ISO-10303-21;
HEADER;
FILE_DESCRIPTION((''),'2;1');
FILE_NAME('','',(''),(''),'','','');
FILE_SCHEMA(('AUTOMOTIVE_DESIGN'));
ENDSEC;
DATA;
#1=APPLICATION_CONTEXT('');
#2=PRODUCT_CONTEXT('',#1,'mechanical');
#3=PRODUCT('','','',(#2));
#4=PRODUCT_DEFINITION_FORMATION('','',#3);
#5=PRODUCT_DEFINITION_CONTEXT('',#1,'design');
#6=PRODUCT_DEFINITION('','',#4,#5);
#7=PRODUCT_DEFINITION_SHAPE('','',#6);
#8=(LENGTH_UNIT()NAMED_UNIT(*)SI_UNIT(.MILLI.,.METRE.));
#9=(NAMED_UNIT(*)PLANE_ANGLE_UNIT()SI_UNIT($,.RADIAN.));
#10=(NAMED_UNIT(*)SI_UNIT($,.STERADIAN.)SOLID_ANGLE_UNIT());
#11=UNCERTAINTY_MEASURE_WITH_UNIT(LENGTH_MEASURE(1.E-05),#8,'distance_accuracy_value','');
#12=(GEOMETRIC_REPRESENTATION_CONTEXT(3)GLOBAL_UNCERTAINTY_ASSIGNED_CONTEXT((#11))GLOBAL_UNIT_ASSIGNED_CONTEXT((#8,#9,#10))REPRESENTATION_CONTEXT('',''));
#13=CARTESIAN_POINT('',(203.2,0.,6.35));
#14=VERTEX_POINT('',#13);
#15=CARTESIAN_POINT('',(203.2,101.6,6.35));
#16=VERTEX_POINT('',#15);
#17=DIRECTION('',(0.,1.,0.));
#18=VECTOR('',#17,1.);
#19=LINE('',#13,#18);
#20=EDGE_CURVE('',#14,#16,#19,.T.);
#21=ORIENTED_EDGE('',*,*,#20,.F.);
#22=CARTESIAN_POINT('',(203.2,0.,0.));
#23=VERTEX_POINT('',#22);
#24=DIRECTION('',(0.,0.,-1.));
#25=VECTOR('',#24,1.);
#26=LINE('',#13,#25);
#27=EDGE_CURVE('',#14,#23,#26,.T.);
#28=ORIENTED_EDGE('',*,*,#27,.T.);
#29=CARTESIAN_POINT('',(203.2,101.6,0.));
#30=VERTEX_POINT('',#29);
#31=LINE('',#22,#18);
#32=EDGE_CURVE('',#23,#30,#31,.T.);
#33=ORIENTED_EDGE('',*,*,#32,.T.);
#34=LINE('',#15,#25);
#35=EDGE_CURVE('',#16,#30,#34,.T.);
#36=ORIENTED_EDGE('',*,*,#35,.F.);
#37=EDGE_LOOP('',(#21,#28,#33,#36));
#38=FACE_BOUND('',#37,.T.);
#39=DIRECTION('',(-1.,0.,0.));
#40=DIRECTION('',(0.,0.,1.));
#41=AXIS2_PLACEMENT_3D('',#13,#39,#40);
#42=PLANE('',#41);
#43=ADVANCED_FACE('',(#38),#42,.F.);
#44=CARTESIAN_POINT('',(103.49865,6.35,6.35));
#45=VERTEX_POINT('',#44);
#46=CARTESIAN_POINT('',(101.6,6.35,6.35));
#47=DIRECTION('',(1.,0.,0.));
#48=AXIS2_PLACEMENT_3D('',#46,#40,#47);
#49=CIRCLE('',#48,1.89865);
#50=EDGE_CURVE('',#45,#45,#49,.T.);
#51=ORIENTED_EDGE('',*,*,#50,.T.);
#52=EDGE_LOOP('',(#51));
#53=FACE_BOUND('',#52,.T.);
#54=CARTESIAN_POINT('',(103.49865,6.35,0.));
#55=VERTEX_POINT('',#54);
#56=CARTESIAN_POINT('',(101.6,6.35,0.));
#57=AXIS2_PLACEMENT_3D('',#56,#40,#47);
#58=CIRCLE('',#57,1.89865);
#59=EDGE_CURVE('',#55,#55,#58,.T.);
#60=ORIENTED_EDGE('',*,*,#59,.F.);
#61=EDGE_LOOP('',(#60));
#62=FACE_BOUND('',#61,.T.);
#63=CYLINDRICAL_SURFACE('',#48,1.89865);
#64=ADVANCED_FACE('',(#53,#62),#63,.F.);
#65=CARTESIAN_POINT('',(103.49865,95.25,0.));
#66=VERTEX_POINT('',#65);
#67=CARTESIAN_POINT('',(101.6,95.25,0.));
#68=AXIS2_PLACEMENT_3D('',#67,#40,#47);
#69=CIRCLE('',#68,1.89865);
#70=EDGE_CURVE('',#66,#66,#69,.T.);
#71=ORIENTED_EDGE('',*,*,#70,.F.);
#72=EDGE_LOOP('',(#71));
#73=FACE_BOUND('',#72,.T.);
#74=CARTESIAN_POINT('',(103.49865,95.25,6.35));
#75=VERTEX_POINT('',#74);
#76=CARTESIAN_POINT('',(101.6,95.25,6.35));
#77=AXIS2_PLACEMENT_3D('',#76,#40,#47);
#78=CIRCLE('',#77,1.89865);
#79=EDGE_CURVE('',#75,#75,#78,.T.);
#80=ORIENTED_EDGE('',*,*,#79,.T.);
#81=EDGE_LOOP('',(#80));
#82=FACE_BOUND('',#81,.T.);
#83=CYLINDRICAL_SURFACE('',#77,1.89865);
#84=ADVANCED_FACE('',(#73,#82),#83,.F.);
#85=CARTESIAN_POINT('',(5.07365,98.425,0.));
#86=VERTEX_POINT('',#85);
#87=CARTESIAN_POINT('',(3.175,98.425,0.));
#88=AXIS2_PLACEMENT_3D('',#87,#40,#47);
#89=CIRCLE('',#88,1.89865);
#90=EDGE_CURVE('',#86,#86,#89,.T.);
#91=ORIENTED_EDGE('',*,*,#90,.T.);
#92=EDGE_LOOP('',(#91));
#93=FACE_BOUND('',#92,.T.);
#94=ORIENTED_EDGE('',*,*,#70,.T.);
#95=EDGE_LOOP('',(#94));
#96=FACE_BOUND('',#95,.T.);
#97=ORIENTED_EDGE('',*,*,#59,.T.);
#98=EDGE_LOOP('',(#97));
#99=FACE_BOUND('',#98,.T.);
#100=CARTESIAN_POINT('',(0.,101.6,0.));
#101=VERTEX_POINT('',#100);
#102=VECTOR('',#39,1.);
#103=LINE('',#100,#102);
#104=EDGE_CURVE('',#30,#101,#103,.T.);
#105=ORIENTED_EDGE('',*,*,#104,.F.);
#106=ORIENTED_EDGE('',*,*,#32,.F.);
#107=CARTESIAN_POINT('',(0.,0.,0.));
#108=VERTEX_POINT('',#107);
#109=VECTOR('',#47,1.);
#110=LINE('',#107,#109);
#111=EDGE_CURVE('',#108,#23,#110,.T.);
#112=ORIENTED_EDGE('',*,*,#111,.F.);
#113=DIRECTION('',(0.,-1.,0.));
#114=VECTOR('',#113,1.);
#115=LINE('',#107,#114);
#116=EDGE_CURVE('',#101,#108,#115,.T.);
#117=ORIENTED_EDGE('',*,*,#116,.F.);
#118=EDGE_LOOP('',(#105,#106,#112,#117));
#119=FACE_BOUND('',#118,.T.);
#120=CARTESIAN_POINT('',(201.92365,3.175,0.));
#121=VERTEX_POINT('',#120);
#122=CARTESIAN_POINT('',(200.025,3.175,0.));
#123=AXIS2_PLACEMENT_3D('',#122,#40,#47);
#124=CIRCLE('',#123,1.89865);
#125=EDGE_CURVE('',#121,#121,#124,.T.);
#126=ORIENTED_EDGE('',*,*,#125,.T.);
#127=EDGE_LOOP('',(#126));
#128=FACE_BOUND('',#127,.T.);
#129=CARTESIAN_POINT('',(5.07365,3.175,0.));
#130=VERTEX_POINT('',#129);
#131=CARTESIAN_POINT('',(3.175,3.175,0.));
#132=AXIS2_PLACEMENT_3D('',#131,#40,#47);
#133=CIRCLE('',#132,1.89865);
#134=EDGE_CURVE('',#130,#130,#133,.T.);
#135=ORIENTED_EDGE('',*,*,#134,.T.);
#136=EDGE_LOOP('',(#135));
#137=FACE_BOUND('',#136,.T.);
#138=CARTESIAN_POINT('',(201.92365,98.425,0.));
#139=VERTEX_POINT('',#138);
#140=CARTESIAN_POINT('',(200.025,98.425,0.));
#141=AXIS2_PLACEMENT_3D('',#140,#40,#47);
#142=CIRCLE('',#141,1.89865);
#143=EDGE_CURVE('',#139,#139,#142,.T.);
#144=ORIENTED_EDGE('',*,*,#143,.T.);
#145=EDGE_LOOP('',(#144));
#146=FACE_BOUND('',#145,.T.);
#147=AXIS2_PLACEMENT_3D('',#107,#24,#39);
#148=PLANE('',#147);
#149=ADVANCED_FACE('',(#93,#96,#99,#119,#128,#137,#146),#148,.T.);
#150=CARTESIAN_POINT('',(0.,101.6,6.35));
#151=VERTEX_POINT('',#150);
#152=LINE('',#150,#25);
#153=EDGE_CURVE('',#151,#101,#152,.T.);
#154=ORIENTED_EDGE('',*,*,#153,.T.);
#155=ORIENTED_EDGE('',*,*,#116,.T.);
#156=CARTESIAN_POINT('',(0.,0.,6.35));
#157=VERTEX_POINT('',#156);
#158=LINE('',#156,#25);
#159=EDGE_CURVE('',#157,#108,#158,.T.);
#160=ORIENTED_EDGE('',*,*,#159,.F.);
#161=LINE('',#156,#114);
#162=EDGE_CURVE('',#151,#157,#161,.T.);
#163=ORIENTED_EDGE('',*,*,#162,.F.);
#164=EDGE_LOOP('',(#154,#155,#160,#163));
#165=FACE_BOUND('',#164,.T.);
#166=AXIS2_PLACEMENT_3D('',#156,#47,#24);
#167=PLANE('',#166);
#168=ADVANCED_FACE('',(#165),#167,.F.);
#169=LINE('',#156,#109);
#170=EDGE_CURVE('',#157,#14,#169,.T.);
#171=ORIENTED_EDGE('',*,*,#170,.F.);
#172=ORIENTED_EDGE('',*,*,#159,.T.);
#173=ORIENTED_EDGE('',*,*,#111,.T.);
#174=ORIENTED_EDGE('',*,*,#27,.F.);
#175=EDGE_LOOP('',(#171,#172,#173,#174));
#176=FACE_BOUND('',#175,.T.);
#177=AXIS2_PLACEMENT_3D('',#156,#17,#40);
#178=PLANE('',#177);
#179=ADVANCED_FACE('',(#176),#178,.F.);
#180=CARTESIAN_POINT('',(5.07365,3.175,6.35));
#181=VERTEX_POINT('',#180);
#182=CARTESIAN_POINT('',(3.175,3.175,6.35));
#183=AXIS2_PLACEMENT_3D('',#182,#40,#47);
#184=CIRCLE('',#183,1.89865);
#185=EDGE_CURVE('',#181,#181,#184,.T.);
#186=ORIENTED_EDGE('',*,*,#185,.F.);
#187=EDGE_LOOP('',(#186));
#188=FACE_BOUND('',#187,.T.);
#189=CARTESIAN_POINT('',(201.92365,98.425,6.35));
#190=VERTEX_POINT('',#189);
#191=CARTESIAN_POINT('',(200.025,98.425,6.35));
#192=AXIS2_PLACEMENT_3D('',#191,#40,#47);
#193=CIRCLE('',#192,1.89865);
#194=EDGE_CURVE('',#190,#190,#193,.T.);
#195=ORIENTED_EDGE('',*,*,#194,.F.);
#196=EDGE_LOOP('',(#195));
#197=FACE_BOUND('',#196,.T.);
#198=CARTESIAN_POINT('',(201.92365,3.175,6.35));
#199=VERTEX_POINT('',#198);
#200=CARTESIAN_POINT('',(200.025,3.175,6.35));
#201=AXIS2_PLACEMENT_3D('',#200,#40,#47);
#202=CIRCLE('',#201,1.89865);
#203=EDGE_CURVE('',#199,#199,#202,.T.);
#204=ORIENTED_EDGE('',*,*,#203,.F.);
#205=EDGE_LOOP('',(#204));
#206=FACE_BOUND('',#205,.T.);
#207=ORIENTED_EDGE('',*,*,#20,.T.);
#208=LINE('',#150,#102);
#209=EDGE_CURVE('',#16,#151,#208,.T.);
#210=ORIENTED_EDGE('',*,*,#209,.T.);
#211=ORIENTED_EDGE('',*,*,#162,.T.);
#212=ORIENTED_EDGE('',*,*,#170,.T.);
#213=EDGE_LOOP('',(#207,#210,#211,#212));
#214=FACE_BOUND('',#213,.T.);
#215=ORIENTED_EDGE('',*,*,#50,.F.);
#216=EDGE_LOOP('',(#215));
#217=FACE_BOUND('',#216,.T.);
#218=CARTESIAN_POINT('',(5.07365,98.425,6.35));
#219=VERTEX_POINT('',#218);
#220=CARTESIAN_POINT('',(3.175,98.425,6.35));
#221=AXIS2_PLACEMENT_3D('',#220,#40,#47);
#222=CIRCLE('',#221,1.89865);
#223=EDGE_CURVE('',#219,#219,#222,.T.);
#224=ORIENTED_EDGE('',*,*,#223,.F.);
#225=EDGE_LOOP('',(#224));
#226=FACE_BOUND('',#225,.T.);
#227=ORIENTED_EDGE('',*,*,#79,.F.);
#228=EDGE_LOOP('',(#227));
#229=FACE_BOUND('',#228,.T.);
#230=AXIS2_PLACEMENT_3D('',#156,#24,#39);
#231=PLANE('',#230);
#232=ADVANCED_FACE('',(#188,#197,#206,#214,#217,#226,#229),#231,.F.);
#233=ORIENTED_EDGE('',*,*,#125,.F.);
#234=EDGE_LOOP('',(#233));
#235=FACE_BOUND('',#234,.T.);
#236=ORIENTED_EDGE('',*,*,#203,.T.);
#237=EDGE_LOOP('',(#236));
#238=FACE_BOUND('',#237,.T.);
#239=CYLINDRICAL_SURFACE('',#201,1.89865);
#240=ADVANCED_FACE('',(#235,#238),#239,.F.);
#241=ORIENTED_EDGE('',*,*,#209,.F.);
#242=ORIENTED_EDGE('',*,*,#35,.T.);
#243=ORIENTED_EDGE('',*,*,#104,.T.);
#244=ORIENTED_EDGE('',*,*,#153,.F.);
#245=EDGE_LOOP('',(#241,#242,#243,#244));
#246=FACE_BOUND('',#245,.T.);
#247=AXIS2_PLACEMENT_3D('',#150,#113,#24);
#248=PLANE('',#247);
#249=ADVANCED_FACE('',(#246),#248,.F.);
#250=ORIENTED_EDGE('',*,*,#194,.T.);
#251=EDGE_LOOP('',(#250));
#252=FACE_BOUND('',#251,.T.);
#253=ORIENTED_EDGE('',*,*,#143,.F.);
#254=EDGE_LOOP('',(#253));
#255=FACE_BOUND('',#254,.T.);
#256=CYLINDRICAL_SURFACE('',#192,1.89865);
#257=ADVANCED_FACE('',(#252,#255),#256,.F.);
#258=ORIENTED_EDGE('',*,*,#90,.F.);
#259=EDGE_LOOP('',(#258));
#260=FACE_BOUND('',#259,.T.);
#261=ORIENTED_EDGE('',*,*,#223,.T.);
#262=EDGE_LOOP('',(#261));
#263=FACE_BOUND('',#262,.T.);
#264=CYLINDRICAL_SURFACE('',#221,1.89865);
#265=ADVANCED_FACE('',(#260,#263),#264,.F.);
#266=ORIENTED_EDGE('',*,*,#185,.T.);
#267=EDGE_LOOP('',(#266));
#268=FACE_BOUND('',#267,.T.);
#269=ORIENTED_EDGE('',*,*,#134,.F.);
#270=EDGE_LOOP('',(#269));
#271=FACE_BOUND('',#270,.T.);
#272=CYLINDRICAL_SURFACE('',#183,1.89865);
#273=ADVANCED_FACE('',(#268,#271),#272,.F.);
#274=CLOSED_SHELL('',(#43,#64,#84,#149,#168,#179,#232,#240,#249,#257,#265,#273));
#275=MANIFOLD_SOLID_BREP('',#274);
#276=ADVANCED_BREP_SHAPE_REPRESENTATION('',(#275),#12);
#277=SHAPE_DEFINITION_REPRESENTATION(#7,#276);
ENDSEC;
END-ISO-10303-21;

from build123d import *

# Parameters (mm, degrees)
SKETCH1_W             = 203.2
SKETCH1_H             = 101.6
BOSS_EXTRUDE1_DEPTH   = 6.35
F_6_CLEARANCE_HOLE1_D = 3.7973


with BuildPart() as part:
    # Sketch1 → Boss-Extrude1 (new body)
    with BuildSketch(Plane.XY):
        with Locations((101.6, 50.8)):
            Rectangle(SKETCH1_W, SKETCH1_H)
    extrude(amount=BOSS_EXTRUDE1_DEPTH)

    # #6 Clearance Hole1 (through all)
    with Locations(Plane.XY.offset(6.35)):
        with Locations((3.175, 3.175), (3.175, 98.425), (200.025, 98.425), (200.025, 3.175), (101.6, 95.25), (101.6, 6.35)):
            Hole(F_6_CLEARANCE_HOLE1_D / 2)


solid = part.part
